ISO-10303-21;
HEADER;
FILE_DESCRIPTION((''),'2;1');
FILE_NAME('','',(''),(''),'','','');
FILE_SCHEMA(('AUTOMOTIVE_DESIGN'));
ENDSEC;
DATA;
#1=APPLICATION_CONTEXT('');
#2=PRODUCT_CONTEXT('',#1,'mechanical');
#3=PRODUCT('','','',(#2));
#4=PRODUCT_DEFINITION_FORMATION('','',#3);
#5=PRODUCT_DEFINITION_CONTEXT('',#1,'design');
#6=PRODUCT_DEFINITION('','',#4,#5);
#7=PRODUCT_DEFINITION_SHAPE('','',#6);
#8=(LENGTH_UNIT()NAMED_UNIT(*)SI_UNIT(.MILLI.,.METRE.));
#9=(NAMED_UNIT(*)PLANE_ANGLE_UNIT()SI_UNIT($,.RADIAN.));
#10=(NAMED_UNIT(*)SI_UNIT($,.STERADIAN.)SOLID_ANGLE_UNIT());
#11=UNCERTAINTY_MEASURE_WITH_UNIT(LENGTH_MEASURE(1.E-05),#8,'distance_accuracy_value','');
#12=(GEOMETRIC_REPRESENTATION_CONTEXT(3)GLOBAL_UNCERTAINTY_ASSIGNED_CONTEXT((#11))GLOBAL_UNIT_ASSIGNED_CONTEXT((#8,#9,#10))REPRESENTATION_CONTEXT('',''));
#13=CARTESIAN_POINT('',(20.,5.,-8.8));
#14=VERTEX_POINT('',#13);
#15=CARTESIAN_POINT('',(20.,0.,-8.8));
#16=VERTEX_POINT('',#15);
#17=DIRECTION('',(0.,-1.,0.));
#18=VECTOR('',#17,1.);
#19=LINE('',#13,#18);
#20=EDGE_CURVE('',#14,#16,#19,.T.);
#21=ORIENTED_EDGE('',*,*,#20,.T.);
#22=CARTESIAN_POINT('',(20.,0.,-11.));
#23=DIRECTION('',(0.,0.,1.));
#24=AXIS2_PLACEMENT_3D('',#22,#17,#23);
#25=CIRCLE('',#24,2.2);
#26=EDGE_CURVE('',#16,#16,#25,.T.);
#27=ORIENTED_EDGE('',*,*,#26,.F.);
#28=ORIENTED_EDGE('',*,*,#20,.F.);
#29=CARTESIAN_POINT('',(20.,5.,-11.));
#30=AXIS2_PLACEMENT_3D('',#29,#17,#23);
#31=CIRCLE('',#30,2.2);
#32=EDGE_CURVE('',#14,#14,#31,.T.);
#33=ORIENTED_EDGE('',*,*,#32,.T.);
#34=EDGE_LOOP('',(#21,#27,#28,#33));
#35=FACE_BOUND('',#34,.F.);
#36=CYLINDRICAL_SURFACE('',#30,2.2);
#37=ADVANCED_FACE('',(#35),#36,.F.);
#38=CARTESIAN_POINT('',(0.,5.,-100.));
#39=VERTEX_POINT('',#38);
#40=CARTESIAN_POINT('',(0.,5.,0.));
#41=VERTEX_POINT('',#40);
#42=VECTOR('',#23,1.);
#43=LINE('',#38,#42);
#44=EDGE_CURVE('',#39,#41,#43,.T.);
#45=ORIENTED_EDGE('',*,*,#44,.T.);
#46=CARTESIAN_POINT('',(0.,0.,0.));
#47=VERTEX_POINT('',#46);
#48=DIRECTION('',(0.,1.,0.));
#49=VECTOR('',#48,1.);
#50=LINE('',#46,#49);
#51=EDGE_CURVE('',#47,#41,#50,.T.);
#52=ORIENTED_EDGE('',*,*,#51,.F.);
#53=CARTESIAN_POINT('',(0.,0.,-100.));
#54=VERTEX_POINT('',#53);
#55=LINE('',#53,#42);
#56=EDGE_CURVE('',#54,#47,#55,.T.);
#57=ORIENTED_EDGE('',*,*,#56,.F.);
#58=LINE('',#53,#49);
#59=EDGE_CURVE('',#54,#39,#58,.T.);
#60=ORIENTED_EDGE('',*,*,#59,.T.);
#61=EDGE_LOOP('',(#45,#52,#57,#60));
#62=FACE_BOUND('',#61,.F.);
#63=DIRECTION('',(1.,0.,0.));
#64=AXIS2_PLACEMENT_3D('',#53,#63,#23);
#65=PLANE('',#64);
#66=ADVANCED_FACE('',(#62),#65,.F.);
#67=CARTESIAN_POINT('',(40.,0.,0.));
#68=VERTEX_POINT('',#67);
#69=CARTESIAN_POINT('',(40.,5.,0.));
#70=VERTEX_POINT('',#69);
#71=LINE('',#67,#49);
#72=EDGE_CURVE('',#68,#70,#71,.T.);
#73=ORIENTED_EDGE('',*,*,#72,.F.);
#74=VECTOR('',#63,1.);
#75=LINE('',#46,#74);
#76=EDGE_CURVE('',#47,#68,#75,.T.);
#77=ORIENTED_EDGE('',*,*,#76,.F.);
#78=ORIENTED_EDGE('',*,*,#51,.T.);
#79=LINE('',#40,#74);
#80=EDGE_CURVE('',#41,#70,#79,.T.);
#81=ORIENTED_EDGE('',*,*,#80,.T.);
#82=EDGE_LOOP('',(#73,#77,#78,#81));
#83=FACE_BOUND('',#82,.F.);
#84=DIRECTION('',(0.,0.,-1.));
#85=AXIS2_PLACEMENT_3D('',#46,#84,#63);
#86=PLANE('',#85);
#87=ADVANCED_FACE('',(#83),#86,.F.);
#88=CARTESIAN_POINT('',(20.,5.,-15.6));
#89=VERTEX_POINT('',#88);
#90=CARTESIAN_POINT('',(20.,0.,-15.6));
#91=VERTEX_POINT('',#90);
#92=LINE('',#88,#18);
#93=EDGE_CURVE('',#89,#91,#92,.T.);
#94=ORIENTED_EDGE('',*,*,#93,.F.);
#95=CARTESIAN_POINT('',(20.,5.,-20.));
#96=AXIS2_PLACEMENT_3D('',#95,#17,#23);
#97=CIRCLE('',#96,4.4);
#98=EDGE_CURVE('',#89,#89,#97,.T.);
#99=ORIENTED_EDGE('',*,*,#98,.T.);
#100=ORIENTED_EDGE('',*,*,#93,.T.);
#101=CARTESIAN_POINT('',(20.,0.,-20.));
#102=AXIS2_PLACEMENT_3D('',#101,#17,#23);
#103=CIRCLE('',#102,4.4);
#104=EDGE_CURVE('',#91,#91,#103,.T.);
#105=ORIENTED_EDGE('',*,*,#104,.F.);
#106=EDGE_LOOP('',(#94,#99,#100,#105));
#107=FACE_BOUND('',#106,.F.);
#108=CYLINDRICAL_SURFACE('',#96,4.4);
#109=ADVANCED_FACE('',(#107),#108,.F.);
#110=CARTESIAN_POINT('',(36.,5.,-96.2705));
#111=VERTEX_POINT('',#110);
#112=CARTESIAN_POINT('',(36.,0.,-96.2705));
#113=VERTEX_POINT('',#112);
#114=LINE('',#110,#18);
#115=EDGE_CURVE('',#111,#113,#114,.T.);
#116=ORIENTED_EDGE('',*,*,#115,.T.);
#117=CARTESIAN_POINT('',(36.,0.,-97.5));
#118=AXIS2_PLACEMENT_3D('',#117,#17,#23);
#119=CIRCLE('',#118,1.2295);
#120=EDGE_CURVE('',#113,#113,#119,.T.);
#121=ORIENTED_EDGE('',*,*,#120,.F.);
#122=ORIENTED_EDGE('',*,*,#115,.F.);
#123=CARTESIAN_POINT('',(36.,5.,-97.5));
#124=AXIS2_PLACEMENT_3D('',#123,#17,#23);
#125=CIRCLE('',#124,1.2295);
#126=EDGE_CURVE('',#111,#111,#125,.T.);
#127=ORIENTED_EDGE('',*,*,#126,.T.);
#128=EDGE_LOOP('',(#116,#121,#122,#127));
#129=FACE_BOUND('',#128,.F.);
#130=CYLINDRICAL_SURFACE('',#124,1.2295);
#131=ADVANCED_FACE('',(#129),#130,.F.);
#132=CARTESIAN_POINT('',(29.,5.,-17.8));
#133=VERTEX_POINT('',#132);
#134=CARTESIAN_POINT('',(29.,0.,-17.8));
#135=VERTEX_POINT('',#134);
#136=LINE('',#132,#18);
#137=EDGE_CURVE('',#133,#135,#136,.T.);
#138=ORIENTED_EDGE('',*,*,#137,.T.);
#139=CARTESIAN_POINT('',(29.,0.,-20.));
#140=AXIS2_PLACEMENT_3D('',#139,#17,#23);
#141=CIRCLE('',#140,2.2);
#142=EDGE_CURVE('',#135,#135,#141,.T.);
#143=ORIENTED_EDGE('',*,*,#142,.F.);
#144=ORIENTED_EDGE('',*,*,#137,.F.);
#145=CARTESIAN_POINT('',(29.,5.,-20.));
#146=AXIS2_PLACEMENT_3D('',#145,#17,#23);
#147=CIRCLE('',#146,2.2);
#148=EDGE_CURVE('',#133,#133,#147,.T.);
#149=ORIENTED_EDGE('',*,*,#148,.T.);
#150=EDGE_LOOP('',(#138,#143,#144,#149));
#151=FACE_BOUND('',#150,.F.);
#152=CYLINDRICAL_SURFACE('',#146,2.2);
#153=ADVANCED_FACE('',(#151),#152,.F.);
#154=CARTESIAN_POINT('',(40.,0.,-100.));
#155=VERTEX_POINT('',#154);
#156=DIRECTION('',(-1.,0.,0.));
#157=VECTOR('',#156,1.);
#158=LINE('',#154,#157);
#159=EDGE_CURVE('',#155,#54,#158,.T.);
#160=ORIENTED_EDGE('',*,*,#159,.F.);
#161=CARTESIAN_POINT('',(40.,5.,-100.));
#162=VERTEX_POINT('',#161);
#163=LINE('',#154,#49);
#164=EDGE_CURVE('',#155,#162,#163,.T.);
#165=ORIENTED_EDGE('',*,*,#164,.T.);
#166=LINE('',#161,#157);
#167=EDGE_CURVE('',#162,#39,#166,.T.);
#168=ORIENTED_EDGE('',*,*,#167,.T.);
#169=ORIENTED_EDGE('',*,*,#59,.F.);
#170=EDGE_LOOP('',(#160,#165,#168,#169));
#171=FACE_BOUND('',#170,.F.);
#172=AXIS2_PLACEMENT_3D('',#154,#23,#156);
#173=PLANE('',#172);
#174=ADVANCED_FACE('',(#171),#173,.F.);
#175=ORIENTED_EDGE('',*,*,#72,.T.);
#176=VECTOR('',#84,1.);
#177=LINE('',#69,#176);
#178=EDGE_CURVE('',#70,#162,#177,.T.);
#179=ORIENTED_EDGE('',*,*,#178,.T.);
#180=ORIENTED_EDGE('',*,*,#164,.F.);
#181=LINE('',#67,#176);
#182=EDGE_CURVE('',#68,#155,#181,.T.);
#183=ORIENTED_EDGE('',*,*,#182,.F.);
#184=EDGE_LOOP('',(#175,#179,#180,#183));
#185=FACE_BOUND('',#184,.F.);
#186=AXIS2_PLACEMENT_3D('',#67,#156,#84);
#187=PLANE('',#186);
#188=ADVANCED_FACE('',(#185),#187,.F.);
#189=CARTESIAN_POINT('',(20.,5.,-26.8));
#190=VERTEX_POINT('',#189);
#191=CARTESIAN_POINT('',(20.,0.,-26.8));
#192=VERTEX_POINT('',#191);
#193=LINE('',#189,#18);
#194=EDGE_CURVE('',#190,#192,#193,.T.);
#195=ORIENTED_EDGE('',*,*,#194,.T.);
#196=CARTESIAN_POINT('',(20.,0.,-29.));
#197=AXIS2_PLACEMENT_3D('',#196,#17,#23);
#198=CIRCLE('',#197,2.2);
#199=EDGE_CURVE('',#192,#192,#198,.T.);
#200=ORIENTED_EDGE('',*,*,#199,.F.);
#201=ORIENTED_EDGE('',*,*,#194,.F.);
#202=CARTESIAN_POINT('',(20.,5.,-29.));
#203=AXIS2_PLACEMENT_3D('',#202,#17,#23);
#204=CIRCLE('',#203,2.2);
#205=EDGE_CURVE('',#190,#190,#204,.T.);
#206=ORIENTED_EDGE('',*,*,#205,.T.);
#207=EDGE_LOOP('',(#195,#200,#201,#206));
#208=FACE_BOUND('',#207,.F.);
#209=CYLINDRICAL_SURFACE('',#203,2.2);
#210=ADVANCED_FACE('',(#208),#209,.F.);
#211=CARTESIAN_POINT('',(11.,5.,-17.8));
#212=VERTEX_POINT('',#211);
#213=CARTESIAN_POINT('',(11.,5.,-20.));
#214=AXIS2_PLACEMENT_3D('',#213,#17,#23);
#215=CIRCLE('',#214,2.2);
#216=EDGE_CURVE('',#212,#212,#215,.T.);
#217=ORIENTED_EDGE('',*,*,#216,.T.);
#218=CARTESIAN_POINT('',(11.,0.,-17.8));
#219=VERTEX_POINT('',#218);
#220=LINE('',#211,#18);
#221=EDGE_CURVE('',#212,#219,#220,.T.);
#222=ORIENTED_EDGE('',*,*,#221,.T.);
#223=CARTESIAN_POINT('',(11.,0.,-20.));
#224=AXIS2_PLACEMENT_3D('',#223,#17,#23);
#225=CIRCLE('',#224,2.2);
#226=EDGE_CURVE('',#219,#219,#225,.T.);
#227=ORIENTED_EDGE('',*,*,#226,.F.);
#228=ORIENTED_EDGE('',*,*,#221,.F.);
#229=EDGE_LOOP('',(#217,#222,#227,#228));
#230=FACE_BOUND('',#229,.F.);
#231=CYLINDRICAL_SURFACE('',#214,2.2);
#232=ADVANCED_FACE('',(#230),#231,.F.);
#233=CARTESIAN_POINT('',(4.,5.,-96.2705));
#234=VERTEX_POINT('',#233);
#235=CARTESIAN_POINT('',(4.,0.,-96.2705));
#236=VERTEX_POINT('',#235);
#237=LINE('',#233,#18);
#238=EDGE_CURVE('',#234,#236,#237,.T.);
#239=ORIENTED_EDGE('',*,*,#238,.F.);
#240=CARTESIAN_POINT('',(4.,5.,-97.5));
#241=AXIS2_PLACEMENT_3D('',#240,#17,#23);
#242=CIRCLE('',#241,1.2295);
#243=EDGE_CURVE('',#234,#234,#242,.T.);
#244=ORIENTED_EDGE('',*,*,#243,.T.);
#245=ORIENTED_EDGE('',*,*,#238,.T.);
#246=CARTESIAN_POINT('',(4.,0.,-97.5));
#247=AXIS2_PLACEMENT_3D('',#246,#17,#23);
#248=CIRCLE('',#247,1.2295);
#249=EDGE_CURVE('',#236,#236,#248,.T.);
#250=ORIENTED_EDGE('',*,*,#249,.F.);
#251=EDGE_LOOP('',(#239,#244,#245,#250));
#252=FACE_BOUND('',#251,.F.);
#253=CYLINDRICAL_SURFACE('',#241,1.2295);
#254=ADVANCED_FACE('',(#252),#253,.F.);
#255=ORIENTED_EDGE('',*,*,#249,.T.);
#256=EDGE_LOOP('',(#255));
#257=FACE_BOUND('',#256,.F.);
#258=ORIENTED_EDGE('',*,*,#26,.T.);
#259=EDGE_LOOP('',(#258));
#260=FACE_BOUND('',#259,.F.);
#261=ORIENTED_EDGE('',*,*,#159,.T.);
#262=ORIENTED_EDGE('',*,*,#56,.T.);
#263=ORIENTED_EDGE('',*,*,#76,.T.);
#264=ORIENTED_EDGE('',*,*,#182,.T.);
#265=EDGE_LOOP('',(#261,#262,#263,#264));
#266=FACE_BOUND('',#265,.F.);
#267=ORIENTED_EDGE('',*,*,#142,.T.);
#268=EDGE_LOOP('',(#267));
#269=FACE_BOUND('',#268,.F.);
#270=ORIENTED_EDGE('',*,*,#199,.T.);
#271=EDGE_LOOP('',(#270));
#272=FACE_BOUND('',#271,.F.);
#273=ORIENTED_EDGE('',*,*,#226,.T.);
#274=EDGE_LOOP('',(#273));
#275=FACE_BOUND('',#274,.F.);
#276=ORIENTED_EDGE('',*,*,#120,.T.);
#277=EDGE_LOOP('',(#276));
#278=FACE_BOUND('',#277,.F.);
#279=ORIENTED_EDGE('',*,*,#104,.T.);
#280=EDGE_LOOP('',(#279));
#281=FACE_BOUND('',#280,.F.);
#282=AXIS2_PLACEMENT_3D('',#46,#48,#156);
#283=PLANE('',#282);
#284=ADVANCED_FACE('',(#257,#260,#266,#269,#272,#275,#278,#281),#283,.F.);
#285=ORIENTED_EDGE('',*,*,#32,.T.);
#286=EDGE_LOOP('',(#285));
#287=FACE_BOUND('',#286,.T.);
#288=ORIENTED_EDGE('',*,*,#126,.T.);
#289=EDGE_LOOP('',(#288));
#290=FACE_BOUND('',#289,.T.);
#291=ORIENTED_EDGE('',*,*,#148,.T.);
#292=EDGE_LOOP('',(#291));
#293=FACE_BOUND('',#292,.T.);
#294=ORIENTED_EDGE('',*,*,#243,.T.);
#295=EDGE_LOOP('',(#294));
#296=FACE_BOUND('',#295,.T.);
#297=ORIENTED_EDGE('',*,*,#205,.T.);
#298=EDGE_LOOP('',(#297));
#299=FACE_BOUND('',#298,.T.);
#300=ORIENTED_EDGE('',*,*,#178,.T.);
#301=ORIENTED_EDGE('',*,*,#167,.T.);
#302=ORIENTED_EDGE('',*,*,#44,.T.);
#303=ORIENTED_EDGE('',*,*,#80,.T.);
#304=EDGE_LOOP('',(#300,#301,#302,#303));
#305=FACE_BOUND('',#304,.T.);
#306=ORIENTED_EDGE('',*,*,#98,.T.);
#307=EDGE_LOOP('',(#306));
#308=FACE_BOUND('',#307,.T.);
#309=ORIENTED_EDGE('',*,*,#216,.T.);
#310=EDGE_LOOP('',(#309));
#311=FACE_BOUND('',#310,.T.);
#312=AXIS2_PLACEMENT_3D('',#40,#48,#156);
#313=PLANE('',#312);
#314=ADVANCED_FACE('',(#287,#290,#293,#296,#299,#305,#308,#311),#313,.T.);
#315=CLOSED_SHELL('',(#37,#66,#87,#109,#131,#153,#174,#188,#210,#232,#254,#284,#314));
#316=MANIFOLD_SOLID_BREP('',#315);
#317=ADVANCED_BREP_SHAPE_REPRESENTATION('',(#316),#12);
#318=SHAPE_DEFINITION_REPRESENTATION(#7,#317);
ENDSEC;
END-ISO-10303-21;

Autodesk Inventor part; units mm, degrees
ref_plane "YZ Plane" through (0, 0, 0) normal (1, 0, 0) x (0, 1, 0)
ref_plane "XZ Plane" through (0, 0, 0) normal (0, 1, 0) x (-1, 0, 0)
ref_plane "XY Plane" through (0, 0, 0) normal (0, 0, 1) x (1, 0, 0)
sketch "スケッチ1" plane through (0, 0, 0) normal (0, 1, 0) x (-1, 0, 0)
  line L0 (0, 0) -> (-40, 0)
  line L1 (-40, 0) -> (-40, -100)
  line L2 (-40, -100) -> (0, -100)
  line L3 (0, -100) -> (0, 0)
  dimension "d0" = 40
  dimension "d1" = 100
extrude "押し出し1" add sketch "スケッチ1" along normal blind 5
sketch "スケッチ2" plane through (0, 5, 0) normal (0, 1, 0) x (1, 0, 0)
  line L0 (0, 0) -> (40, 0) construction
  line L1 (20, 0) -> (20, 100) construction
  line L2 (40, 100) -> (0, 100) construction
  point P0 (20, 20)
  dimension "d4" = 20
hole "穴1" at (20, 5, -20) direction (0, -1, 0) diameter 8.8 end through all
sketch "スケッチ3" plane through (0, 5, 0) normal (0, 1, 0) x (1, 0, 0)
  circle A0 centre (20, 20) radius 4.4 construction
  circle A1 centre (20, 20) radius 9 construction
  point P0 (0, 0)
  point P1 (11, 20)
  point P2 (20, 11)
  point P3 (29, 20)
  point P4 (20, 29)
  dimension "d12" = 18
  dimension "d15" = 360
hole "穴2" at (11, 5, -20) at (20, 5, -11) at (29, 5, -20) at (20, 5, -29) direction (0, -1, 0) diameter 4.4 end through all
sketch "スケッチ4" plane through (0, 5, 0) normal (0, 1, 0) x (1, 0, 0)
  line L0 (40, 100) -> (0, 100) construction
  line L1 (0, 100) -> (40, 100) construction
  line L2 (40, 100) -> (40, 95) construction
  line L3 (40, 95) -> (0, 95) construction
  line L4 (0, 95) -> (0, 100) construction
  line L5 (0, 100) -> (0, 0) projected
  line L6 (0, 97.5) -> (40, 97.5) construction
  line L7 (40, 0) -> (40, 100) projected
  point P0 (4, 97.5)
  point P1 (36, 97.5)
  dimension "d25" = 5
  dimension "d26" = 4
  dimension "d27" = 4
hole "穴3" at (4, 5, -97.5) at (36, 5, -97.5) direction (0, -1, 0) diameter 2.459 end through all thread size "M3x0.5" class "6H" standard "ISO Metric profile"
properties part number "shoulder1_sidel_plate"
